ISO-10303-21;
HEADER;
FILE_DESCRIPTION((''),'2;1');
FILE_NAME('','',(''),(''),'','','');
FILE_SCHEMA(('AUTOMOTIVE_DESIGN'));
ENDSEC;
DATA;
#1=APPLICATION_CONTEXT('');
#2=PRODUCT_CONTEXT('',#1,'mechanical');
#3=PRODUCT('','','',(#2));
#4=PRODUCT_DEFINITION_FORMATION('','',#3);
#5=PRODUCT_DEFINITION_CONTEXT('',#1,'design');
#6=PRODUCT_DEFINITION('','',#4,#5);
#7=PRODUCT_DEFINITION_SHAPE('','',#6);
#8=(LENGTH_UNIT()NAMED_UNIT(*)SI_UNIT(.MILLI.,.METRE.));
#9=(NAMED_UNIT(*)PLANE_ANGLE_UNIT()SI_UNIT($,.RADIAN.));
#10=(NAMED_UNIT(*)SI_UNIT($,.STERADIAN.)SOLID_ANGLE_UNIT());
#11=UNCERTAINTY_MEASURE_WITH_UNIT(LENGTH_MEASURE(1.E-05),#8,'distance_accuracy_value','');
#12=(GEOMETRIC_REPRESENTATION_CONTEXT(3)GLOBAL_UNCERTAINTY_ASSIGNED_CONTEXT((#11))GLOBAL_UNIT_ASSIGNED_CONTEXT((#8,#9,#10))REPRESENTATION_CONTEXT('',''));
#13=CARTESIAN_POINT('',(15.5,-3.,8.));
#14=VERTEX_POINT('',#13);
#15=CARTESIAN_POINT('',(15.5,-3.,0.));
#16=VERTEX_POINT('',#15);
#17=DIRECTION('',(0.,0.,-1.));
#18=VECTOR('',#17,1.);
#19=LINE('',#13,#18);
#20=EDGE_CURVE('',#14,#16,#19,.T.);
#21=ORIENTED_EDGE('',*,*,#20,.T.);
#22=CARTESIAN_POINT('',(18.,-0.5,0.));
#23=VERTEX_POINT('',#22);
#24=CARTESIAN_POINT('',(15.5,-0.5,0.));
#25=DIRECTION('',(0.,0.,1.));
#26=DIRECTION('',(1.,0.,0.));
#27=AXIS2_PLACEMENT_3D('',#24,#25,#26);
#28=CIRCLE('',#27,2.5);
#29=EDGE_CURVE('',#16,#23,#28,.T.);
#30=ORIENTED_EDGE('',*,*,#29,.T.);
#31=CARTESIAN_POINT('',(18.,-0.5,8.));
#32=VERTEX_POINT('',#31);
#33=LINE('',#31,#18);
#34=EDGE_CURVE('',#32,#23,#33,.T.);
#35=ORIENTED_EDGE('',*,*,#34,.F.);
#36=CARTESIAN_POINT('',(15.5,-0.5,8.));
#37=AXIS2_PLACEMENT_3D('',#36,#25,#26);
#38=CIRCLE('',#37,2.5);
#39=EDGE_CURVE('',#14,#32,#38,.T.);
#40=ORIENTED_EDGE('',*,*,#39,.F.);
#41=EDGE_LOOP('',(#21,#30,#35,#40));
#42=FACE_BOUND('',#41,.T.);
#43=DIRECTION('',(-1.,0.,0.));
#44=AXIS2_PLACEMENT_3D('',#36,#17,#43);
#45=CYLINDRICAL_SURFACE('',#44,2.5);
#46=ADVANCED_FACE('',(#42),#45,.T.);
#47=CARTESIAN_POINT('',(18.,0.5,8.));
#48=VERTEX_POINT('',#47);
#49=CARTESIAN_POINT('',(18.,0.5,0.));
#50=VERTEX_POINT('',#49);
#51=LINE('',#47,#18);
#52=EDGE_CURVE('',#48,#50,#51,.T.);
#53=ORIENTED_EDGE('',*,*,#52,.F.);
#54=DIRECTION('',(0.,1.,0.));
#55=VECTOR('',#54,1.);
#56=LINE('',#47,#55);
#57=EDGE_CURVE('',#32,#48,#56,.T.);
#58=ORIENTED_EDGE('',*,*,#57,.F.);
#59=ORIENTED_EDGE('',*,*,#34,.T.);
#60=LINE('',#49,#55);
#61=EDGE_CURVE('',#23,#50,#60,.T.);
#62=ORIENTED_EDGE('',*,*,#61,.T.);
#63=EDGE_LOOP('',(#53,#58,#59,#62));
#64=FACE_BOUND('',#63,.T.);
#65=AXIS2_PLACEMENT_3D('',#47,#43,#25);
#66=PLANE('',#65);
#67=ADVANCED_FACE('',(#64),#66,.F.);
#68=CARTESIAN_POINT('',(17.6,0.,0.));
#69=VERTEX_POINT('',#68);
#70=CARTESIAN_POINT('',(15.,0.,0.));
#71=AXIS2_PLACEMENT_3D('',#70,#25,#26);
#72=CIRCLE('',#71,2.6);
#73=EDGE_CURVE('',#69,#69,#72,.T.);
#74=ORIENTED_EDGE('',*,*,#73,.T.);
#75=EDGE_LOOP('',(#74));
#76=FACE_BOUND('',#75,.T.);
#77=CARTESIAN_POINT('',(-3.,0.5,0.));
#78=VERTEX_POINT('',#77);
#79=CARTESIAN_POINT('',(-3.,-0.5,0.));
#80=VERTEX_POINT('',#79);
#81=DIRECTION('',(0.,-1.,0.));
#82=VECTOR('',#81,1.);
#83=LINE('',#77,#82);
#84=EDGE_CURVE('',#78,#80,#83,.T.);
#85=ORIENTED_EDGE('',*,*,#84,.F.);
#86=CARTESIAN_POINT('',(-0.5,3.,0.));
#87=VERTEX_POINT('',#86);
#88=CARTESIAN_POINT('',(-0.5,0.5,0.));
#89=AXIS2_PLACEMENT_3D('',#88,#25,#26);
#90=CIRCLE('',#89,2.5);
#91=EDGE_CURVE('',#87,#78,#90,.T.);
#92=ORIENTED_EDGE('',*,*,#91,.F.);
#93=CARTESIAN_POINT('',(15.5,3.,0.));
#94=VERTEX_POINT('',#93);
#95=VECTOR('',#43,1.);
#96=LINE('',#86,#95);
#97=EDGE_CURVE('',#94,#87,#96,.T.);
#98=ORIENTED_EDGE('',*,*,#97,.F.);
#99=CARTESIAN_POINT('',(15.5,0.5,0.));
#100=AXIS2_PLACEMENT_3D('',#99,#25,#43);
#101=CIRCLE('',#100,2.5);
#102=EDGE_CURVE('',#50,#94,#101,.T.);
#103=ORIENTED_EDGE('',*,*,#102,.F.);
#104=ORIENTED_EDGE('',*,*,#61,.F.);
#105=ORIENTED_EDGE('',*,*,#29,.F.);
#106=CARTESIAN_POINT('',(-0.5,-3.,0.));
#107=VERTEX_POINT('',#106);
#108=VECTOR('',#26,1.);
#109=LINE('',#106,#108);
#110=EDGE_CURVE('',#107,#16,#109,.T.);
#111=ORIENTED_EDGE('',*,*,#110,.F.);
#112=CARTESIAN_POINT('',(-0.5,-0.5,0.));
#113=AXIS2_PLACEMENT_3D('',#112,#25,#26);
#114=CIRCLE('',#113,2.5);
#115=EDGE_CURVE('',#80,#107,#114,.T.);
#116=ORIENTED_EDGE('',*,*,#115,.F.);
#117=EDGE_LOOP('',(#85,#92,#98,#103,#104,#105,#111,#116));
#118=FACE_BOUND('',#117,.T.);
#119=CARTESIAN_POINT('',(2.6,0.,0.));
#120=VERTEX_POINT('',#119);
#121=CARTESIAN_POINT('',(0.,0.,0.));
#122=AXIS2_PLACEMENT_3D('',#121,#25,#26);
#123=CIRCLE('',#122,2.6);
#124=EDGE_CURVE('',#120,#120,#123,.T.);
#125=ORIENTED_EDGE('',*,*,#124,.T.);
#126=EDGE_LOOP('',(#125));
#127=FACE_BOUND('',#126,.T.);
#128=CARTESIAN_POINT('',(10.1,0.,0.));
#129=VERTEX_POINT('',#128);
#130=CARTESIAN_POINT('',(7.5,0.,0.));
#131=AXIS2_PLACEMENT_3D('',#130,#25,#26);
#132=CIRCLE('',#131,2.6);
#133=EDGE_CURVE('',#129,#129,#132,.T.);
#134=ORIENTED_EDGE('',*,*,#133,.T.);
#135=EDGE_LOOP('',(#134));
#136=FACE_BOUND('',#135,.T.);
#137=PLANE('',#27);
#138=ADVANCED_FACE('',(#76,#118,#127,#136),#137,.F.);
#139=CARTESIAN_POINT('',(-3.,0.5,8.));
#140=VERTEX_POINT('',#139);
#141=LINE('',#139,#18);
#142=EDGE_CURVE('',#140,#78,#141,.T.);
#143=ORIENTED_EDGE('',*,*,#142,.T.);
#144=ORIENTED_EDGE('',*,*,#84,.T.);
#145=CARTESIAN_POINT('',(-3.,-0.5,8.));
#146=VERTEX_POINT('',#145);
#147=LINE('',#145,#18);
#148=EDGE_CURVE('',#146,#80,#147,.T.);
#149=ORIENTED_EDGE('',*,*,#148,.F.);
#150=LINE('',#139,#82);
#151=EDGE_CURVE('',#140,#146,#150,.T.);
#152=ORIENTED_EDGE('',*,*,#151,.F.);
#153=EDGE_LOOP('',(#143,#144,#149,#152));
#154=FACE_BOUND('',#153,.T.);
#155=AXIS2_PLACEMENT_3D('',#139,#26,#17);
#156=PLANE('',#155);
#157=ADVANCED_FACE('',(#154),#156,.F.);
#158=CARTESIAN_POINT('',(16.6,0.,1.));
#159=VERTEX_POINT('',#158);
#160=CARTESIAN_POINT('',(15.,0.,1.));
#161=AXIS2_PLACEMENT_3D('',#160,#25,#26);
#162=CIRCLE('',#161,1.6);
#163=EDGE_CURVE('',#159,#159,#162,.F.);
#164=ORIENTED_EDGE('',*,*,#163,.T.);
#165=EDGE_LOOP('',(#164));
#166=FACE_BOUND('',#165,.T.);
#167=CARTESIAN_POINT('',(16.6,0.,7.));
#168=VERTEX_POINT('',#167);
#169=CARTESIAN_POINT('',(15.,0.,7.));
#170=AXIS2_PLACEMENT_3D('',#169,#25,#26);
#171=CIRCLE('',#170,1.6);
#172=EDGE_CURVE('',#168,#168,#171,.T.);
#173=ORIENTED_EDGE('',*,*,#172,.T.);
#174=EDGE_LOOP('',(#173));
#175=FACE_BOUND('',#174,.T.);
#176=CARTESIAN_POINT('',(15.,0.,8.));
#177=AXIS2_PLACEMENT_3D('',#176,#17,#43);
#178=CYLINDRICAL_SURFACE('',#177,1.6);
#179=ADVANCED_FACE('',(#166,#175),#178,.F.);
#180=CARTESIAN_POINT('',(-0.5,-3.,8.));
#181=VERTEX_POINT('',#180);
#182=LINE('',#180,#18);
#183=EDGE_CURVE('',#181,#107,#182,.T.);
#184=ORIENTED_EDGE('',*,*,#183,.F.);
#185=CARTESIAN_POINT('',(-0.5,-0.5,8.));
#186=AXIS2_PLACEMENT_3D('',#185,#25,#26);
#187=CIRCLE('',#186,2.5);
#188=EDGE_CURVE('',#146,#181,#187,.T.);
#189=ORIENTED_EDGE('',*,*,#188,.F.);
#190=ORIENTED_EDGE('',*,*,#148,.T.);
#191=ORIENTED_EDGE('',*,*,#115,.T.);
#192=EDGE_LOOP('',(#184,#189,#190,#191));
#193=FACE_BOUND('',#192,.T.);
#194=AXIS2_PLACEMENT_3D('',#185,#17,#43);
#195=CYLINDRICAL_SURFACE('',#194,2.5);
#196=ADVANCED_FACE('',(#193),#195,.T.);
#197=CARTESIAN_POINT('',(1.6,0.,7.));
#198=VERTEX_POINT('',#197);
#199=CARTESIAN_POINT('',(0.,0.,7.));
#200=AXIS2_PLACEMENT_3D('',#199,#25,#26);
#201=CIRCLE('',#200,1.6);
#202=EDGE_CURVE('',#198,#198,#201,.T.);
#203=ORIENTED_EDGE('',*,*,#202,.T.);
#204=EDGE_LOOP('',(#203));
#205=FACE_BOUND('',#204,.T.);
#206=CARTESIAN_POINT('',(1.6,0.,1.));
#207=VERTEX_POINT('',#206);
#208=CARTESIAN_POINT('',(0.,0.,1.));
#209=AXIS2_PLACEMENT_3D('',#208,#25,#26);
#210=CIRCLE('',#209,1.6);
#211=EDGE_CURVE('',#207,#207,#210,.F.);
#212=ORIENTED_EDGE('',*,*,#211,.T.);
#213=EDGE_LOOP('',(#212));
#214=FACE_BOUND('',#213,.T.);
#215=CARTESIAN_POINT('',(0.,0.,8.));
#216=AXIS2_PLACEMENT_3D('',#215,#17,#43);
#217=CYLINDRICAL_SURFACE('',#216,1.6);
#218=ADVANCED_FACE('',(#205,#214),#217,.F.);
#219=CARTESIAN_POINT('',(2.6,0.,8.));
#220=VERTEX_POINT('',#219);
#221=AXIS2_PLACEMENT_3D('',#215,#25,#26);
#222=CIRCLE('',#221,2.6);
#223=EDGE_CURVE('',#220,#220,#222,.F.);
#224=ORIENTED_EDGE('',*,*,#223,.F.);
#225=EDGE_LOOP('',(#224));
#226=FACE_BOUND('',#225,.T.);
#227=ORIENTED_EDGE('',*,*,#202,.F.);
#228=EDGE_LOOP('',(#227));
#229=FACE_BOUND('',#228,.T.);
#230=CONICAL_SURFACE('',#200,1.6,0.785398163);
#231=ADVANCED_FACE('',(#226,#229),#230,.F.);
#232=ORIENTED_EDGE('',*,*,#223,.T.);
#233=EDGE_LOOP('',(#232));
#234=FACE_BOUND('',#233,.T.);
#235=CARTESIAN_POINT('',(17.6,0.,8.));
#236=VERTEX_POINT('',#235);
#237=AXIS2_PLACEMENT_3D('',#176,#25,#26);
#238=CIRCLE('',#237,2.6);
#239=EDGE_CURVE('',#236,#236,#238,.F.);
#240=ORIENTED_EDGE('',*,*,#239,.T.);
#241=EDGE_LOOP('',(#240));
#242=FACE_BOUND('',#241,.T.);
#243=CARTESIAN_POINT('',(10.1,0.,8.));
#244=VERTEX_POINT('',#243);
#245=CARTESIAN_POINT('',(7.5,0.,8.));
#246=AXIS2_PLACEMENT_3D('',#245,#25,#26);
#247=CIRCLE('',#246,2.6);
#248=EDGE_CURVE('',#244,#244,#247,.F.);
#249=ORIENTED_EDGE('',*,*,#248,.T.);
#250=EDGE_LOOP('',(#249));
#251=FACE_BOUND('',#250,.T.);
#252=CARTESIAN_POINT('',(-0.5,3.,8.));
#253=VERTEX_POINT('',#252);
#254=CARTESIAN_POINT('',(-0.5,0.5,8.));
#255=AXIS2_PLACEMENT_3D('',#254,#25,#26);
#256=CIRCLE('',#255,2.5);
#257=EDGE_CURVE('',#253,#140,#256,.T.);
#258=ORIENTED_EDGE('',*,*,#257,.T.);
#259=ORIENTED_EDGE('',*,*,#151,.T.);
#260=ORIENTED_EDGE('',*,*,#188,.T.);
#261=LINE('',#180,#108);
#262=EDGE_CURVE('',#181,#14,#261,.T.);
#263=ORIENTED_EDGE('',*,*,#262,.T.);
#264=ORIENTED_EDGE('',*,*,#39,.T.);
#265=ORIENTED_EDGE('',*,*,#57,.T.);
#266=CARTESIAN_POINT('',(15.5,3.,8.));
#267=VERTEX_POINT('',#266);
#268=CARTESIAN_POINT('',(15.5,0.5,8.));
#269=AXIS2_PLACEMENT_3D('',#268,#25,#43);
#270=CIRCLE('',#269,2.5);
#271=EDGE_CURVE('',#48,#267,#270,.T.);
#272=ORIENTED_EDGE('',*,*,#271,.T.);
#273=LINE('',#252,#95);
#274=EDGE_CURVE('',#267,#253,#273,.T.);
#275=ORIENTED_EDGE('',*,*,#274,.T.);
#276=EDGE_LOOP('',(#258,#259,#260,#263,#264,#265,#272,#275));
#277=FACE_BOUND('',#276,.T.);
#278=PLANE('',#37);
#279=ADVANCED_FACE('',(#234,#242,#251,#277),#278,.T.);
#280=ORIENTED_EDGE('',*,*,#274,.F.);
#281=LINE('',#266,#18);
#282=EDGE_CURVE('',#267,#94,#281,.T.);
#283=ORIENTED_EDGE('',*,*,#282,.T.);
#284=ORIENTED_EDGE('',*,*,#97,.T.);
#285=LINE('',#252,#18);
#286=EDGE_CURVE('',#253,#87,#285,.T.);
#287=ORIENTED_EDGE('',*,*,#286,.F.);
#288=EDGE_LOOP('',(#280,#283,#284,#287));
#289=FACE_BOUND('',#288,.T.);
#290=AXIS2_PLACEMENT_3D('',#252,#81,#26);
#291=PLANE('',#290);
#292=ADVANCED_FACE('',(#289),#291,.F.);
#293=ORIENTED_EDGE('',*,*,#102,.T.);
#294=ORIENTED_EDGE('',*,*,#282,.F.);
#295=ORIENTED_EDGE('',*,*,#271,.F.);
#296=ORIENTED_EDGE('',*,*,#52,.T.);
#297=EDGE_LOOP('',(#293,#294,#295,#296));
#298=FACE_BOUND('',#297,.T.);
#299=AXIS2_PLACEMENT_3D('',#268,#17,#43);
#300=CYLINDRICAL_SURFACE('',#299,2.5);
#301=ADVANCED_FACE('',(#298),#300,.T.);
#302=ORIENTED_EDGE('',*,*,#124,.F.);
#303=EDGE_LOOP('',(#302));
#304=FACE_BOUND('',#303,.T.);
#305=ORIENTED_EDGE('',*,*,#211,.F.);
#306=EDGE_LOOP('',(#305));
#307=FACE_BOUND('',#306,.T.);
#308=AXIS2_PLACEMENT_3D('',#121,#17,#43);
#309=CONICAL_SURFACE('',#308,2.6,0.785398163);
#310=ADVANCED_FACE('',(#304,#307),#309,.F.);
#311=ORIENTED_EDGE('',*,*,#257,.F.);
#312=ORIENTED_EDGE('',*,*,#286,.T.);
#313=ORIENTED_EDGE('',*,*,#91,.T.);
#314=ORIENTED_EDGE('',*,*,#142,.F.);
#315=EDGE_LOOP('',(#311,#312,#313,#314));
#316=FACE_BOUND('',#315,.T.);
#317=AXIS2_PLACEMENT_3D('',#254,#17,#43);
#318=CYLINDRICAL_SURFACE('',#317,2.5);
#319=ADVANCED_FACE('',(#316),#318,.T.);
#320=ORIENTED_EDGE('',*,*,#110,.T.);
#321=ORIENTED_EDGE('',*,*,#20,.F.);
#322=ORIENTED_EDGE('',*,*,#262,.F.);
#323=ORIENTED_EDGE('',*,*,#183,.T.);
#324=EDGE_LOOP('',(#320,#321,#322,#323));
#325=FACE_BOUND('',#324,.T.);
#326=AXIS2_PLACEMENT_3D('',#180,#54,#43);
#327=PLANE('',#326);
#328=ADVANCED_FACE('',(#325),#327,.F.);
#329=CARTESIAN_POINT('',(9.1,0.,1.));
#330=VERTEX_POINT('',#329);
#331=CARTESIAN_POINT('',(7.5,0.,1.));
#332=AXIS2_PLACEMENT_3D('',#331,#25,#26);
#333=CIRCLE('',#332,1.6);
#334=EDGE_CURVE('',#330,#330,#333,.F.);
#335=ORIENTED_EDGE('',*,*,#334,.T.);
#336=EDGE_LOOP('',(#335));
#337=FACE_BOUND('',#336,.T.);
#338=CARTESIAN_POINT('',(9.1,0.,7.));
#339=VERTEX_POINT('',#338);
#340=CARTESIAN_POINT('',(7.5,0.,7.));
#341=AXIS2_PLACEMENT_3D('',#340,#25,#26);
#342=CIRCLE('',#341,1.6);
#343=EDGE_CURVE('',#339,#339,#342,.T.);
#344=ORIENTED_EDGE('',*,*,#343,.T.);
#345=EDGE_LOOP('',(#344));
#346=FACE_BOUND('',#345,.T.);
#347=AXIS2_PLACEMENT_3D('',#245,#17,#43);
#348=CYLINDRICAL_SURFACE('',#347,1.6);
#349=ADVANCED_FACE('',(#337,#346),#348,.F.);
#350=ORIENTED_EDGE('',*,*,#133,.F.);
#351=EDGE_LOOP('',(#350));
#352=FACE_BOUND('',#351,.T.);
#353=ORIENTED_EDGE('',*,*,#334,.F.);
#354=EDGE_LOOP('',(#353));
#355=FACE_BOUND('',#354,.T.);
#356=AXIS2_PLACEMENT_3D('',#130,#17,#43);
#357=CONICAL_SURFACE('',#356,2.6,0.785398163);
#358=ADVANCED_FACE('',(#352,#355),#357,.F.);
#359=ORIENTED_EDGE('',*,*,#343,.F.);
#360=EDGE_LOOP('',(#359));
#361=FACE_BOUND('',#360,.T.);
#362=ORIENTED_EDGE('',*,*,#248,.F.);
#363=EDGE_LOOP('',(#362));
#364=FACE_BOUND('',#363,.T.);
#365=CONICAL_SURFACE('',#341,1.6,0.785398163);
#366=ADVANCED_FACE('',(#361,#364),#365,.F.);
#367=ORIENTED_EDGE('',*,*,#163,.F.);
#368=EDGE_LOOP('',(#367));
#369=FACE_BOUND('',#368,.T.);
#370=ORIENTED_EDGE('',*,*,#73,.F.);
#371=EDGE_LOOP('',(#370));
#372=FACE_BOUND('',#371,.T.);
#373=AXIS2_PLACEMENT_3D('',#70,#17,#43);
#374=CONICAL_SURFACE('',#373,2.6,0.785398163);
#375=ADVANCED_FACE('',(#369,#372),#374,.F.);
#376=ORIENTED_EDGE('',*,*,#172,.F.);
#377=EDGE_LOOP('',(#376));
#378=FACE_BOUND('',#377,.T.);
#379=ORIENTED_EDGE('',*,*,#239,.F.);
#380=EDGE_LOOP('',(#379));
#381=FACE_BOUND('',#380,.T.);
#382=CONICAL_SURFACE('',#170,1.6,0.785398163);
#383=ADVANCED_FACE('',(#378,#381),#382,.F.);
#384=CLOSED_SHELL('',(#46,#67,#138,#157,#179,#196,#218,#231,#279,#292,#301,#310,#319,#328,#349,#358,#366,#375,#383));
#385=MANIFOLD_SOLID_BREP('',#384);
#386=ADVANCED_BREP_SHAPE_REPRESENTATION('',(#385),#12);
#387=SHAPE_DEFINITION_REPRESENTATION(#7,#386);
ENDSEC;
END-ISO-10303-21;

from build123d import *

# Parameters (mm, degrees)
SKETCH1_R           = 1.6
BOSS_EXTRUDE1_DEPTH = 8
CHAMFER1_SIZE       = 1


with BuildPart() as part:
    # Sketch1 → Boss-Extrude1 (new body)
    with BuildSketch(Plane.XY):
        with BuildLine():
            Line((-0.5, 3), (15.5, 3))
            ThreePointArc((15.5, 3), (17.267766953, 2.267766953), (18, 0.5))
            Line((18, 0.5), (18, -0.5))
            ThreePointArc((18, -0.5), (17.267766953, -2.267766953), (15.5, -3))
            Line((15.5, -3), (-0.5, -3))
            ThreePointArc((-0.5, -3), (-2.267766953, -2.267766953), (-3, -0.5))
            Line((-3, -0.5), (-3, 0.5))
            ThreePointArc((-3, 0.5), (-2.267766953, 2.267766953), (-0.5, 3))
        make_face()
        Circle(SKETCH1_R, mode=Mode.SUBTRACT)
        with Locations((7.5, 0)):
            Circle(SKETCH1_R, mode=Mode.SUBTRACT)
        with Locations((15, 0)):
            Circle(SKETCH1_R, mode=Mode.SUBTRACT)
    extrude(amount=BOSS_EXTRUDE1_DEPTH)

    # Chamfer1
    chamfer1_edges = [part.edges().sort_by_distance(p)[0] for p in [
        (-1.6, 0, 0),
        (-1.6, 0, 8),
        (5.9, 0, 0),
        (5.9, 0, 8),
        (13.4, 0, 0),
        (13.4, 0, 8),
    ]]
    chamfer(chamfer1_edges, length=CHAMFER1_SIZE)


solid = part.part
